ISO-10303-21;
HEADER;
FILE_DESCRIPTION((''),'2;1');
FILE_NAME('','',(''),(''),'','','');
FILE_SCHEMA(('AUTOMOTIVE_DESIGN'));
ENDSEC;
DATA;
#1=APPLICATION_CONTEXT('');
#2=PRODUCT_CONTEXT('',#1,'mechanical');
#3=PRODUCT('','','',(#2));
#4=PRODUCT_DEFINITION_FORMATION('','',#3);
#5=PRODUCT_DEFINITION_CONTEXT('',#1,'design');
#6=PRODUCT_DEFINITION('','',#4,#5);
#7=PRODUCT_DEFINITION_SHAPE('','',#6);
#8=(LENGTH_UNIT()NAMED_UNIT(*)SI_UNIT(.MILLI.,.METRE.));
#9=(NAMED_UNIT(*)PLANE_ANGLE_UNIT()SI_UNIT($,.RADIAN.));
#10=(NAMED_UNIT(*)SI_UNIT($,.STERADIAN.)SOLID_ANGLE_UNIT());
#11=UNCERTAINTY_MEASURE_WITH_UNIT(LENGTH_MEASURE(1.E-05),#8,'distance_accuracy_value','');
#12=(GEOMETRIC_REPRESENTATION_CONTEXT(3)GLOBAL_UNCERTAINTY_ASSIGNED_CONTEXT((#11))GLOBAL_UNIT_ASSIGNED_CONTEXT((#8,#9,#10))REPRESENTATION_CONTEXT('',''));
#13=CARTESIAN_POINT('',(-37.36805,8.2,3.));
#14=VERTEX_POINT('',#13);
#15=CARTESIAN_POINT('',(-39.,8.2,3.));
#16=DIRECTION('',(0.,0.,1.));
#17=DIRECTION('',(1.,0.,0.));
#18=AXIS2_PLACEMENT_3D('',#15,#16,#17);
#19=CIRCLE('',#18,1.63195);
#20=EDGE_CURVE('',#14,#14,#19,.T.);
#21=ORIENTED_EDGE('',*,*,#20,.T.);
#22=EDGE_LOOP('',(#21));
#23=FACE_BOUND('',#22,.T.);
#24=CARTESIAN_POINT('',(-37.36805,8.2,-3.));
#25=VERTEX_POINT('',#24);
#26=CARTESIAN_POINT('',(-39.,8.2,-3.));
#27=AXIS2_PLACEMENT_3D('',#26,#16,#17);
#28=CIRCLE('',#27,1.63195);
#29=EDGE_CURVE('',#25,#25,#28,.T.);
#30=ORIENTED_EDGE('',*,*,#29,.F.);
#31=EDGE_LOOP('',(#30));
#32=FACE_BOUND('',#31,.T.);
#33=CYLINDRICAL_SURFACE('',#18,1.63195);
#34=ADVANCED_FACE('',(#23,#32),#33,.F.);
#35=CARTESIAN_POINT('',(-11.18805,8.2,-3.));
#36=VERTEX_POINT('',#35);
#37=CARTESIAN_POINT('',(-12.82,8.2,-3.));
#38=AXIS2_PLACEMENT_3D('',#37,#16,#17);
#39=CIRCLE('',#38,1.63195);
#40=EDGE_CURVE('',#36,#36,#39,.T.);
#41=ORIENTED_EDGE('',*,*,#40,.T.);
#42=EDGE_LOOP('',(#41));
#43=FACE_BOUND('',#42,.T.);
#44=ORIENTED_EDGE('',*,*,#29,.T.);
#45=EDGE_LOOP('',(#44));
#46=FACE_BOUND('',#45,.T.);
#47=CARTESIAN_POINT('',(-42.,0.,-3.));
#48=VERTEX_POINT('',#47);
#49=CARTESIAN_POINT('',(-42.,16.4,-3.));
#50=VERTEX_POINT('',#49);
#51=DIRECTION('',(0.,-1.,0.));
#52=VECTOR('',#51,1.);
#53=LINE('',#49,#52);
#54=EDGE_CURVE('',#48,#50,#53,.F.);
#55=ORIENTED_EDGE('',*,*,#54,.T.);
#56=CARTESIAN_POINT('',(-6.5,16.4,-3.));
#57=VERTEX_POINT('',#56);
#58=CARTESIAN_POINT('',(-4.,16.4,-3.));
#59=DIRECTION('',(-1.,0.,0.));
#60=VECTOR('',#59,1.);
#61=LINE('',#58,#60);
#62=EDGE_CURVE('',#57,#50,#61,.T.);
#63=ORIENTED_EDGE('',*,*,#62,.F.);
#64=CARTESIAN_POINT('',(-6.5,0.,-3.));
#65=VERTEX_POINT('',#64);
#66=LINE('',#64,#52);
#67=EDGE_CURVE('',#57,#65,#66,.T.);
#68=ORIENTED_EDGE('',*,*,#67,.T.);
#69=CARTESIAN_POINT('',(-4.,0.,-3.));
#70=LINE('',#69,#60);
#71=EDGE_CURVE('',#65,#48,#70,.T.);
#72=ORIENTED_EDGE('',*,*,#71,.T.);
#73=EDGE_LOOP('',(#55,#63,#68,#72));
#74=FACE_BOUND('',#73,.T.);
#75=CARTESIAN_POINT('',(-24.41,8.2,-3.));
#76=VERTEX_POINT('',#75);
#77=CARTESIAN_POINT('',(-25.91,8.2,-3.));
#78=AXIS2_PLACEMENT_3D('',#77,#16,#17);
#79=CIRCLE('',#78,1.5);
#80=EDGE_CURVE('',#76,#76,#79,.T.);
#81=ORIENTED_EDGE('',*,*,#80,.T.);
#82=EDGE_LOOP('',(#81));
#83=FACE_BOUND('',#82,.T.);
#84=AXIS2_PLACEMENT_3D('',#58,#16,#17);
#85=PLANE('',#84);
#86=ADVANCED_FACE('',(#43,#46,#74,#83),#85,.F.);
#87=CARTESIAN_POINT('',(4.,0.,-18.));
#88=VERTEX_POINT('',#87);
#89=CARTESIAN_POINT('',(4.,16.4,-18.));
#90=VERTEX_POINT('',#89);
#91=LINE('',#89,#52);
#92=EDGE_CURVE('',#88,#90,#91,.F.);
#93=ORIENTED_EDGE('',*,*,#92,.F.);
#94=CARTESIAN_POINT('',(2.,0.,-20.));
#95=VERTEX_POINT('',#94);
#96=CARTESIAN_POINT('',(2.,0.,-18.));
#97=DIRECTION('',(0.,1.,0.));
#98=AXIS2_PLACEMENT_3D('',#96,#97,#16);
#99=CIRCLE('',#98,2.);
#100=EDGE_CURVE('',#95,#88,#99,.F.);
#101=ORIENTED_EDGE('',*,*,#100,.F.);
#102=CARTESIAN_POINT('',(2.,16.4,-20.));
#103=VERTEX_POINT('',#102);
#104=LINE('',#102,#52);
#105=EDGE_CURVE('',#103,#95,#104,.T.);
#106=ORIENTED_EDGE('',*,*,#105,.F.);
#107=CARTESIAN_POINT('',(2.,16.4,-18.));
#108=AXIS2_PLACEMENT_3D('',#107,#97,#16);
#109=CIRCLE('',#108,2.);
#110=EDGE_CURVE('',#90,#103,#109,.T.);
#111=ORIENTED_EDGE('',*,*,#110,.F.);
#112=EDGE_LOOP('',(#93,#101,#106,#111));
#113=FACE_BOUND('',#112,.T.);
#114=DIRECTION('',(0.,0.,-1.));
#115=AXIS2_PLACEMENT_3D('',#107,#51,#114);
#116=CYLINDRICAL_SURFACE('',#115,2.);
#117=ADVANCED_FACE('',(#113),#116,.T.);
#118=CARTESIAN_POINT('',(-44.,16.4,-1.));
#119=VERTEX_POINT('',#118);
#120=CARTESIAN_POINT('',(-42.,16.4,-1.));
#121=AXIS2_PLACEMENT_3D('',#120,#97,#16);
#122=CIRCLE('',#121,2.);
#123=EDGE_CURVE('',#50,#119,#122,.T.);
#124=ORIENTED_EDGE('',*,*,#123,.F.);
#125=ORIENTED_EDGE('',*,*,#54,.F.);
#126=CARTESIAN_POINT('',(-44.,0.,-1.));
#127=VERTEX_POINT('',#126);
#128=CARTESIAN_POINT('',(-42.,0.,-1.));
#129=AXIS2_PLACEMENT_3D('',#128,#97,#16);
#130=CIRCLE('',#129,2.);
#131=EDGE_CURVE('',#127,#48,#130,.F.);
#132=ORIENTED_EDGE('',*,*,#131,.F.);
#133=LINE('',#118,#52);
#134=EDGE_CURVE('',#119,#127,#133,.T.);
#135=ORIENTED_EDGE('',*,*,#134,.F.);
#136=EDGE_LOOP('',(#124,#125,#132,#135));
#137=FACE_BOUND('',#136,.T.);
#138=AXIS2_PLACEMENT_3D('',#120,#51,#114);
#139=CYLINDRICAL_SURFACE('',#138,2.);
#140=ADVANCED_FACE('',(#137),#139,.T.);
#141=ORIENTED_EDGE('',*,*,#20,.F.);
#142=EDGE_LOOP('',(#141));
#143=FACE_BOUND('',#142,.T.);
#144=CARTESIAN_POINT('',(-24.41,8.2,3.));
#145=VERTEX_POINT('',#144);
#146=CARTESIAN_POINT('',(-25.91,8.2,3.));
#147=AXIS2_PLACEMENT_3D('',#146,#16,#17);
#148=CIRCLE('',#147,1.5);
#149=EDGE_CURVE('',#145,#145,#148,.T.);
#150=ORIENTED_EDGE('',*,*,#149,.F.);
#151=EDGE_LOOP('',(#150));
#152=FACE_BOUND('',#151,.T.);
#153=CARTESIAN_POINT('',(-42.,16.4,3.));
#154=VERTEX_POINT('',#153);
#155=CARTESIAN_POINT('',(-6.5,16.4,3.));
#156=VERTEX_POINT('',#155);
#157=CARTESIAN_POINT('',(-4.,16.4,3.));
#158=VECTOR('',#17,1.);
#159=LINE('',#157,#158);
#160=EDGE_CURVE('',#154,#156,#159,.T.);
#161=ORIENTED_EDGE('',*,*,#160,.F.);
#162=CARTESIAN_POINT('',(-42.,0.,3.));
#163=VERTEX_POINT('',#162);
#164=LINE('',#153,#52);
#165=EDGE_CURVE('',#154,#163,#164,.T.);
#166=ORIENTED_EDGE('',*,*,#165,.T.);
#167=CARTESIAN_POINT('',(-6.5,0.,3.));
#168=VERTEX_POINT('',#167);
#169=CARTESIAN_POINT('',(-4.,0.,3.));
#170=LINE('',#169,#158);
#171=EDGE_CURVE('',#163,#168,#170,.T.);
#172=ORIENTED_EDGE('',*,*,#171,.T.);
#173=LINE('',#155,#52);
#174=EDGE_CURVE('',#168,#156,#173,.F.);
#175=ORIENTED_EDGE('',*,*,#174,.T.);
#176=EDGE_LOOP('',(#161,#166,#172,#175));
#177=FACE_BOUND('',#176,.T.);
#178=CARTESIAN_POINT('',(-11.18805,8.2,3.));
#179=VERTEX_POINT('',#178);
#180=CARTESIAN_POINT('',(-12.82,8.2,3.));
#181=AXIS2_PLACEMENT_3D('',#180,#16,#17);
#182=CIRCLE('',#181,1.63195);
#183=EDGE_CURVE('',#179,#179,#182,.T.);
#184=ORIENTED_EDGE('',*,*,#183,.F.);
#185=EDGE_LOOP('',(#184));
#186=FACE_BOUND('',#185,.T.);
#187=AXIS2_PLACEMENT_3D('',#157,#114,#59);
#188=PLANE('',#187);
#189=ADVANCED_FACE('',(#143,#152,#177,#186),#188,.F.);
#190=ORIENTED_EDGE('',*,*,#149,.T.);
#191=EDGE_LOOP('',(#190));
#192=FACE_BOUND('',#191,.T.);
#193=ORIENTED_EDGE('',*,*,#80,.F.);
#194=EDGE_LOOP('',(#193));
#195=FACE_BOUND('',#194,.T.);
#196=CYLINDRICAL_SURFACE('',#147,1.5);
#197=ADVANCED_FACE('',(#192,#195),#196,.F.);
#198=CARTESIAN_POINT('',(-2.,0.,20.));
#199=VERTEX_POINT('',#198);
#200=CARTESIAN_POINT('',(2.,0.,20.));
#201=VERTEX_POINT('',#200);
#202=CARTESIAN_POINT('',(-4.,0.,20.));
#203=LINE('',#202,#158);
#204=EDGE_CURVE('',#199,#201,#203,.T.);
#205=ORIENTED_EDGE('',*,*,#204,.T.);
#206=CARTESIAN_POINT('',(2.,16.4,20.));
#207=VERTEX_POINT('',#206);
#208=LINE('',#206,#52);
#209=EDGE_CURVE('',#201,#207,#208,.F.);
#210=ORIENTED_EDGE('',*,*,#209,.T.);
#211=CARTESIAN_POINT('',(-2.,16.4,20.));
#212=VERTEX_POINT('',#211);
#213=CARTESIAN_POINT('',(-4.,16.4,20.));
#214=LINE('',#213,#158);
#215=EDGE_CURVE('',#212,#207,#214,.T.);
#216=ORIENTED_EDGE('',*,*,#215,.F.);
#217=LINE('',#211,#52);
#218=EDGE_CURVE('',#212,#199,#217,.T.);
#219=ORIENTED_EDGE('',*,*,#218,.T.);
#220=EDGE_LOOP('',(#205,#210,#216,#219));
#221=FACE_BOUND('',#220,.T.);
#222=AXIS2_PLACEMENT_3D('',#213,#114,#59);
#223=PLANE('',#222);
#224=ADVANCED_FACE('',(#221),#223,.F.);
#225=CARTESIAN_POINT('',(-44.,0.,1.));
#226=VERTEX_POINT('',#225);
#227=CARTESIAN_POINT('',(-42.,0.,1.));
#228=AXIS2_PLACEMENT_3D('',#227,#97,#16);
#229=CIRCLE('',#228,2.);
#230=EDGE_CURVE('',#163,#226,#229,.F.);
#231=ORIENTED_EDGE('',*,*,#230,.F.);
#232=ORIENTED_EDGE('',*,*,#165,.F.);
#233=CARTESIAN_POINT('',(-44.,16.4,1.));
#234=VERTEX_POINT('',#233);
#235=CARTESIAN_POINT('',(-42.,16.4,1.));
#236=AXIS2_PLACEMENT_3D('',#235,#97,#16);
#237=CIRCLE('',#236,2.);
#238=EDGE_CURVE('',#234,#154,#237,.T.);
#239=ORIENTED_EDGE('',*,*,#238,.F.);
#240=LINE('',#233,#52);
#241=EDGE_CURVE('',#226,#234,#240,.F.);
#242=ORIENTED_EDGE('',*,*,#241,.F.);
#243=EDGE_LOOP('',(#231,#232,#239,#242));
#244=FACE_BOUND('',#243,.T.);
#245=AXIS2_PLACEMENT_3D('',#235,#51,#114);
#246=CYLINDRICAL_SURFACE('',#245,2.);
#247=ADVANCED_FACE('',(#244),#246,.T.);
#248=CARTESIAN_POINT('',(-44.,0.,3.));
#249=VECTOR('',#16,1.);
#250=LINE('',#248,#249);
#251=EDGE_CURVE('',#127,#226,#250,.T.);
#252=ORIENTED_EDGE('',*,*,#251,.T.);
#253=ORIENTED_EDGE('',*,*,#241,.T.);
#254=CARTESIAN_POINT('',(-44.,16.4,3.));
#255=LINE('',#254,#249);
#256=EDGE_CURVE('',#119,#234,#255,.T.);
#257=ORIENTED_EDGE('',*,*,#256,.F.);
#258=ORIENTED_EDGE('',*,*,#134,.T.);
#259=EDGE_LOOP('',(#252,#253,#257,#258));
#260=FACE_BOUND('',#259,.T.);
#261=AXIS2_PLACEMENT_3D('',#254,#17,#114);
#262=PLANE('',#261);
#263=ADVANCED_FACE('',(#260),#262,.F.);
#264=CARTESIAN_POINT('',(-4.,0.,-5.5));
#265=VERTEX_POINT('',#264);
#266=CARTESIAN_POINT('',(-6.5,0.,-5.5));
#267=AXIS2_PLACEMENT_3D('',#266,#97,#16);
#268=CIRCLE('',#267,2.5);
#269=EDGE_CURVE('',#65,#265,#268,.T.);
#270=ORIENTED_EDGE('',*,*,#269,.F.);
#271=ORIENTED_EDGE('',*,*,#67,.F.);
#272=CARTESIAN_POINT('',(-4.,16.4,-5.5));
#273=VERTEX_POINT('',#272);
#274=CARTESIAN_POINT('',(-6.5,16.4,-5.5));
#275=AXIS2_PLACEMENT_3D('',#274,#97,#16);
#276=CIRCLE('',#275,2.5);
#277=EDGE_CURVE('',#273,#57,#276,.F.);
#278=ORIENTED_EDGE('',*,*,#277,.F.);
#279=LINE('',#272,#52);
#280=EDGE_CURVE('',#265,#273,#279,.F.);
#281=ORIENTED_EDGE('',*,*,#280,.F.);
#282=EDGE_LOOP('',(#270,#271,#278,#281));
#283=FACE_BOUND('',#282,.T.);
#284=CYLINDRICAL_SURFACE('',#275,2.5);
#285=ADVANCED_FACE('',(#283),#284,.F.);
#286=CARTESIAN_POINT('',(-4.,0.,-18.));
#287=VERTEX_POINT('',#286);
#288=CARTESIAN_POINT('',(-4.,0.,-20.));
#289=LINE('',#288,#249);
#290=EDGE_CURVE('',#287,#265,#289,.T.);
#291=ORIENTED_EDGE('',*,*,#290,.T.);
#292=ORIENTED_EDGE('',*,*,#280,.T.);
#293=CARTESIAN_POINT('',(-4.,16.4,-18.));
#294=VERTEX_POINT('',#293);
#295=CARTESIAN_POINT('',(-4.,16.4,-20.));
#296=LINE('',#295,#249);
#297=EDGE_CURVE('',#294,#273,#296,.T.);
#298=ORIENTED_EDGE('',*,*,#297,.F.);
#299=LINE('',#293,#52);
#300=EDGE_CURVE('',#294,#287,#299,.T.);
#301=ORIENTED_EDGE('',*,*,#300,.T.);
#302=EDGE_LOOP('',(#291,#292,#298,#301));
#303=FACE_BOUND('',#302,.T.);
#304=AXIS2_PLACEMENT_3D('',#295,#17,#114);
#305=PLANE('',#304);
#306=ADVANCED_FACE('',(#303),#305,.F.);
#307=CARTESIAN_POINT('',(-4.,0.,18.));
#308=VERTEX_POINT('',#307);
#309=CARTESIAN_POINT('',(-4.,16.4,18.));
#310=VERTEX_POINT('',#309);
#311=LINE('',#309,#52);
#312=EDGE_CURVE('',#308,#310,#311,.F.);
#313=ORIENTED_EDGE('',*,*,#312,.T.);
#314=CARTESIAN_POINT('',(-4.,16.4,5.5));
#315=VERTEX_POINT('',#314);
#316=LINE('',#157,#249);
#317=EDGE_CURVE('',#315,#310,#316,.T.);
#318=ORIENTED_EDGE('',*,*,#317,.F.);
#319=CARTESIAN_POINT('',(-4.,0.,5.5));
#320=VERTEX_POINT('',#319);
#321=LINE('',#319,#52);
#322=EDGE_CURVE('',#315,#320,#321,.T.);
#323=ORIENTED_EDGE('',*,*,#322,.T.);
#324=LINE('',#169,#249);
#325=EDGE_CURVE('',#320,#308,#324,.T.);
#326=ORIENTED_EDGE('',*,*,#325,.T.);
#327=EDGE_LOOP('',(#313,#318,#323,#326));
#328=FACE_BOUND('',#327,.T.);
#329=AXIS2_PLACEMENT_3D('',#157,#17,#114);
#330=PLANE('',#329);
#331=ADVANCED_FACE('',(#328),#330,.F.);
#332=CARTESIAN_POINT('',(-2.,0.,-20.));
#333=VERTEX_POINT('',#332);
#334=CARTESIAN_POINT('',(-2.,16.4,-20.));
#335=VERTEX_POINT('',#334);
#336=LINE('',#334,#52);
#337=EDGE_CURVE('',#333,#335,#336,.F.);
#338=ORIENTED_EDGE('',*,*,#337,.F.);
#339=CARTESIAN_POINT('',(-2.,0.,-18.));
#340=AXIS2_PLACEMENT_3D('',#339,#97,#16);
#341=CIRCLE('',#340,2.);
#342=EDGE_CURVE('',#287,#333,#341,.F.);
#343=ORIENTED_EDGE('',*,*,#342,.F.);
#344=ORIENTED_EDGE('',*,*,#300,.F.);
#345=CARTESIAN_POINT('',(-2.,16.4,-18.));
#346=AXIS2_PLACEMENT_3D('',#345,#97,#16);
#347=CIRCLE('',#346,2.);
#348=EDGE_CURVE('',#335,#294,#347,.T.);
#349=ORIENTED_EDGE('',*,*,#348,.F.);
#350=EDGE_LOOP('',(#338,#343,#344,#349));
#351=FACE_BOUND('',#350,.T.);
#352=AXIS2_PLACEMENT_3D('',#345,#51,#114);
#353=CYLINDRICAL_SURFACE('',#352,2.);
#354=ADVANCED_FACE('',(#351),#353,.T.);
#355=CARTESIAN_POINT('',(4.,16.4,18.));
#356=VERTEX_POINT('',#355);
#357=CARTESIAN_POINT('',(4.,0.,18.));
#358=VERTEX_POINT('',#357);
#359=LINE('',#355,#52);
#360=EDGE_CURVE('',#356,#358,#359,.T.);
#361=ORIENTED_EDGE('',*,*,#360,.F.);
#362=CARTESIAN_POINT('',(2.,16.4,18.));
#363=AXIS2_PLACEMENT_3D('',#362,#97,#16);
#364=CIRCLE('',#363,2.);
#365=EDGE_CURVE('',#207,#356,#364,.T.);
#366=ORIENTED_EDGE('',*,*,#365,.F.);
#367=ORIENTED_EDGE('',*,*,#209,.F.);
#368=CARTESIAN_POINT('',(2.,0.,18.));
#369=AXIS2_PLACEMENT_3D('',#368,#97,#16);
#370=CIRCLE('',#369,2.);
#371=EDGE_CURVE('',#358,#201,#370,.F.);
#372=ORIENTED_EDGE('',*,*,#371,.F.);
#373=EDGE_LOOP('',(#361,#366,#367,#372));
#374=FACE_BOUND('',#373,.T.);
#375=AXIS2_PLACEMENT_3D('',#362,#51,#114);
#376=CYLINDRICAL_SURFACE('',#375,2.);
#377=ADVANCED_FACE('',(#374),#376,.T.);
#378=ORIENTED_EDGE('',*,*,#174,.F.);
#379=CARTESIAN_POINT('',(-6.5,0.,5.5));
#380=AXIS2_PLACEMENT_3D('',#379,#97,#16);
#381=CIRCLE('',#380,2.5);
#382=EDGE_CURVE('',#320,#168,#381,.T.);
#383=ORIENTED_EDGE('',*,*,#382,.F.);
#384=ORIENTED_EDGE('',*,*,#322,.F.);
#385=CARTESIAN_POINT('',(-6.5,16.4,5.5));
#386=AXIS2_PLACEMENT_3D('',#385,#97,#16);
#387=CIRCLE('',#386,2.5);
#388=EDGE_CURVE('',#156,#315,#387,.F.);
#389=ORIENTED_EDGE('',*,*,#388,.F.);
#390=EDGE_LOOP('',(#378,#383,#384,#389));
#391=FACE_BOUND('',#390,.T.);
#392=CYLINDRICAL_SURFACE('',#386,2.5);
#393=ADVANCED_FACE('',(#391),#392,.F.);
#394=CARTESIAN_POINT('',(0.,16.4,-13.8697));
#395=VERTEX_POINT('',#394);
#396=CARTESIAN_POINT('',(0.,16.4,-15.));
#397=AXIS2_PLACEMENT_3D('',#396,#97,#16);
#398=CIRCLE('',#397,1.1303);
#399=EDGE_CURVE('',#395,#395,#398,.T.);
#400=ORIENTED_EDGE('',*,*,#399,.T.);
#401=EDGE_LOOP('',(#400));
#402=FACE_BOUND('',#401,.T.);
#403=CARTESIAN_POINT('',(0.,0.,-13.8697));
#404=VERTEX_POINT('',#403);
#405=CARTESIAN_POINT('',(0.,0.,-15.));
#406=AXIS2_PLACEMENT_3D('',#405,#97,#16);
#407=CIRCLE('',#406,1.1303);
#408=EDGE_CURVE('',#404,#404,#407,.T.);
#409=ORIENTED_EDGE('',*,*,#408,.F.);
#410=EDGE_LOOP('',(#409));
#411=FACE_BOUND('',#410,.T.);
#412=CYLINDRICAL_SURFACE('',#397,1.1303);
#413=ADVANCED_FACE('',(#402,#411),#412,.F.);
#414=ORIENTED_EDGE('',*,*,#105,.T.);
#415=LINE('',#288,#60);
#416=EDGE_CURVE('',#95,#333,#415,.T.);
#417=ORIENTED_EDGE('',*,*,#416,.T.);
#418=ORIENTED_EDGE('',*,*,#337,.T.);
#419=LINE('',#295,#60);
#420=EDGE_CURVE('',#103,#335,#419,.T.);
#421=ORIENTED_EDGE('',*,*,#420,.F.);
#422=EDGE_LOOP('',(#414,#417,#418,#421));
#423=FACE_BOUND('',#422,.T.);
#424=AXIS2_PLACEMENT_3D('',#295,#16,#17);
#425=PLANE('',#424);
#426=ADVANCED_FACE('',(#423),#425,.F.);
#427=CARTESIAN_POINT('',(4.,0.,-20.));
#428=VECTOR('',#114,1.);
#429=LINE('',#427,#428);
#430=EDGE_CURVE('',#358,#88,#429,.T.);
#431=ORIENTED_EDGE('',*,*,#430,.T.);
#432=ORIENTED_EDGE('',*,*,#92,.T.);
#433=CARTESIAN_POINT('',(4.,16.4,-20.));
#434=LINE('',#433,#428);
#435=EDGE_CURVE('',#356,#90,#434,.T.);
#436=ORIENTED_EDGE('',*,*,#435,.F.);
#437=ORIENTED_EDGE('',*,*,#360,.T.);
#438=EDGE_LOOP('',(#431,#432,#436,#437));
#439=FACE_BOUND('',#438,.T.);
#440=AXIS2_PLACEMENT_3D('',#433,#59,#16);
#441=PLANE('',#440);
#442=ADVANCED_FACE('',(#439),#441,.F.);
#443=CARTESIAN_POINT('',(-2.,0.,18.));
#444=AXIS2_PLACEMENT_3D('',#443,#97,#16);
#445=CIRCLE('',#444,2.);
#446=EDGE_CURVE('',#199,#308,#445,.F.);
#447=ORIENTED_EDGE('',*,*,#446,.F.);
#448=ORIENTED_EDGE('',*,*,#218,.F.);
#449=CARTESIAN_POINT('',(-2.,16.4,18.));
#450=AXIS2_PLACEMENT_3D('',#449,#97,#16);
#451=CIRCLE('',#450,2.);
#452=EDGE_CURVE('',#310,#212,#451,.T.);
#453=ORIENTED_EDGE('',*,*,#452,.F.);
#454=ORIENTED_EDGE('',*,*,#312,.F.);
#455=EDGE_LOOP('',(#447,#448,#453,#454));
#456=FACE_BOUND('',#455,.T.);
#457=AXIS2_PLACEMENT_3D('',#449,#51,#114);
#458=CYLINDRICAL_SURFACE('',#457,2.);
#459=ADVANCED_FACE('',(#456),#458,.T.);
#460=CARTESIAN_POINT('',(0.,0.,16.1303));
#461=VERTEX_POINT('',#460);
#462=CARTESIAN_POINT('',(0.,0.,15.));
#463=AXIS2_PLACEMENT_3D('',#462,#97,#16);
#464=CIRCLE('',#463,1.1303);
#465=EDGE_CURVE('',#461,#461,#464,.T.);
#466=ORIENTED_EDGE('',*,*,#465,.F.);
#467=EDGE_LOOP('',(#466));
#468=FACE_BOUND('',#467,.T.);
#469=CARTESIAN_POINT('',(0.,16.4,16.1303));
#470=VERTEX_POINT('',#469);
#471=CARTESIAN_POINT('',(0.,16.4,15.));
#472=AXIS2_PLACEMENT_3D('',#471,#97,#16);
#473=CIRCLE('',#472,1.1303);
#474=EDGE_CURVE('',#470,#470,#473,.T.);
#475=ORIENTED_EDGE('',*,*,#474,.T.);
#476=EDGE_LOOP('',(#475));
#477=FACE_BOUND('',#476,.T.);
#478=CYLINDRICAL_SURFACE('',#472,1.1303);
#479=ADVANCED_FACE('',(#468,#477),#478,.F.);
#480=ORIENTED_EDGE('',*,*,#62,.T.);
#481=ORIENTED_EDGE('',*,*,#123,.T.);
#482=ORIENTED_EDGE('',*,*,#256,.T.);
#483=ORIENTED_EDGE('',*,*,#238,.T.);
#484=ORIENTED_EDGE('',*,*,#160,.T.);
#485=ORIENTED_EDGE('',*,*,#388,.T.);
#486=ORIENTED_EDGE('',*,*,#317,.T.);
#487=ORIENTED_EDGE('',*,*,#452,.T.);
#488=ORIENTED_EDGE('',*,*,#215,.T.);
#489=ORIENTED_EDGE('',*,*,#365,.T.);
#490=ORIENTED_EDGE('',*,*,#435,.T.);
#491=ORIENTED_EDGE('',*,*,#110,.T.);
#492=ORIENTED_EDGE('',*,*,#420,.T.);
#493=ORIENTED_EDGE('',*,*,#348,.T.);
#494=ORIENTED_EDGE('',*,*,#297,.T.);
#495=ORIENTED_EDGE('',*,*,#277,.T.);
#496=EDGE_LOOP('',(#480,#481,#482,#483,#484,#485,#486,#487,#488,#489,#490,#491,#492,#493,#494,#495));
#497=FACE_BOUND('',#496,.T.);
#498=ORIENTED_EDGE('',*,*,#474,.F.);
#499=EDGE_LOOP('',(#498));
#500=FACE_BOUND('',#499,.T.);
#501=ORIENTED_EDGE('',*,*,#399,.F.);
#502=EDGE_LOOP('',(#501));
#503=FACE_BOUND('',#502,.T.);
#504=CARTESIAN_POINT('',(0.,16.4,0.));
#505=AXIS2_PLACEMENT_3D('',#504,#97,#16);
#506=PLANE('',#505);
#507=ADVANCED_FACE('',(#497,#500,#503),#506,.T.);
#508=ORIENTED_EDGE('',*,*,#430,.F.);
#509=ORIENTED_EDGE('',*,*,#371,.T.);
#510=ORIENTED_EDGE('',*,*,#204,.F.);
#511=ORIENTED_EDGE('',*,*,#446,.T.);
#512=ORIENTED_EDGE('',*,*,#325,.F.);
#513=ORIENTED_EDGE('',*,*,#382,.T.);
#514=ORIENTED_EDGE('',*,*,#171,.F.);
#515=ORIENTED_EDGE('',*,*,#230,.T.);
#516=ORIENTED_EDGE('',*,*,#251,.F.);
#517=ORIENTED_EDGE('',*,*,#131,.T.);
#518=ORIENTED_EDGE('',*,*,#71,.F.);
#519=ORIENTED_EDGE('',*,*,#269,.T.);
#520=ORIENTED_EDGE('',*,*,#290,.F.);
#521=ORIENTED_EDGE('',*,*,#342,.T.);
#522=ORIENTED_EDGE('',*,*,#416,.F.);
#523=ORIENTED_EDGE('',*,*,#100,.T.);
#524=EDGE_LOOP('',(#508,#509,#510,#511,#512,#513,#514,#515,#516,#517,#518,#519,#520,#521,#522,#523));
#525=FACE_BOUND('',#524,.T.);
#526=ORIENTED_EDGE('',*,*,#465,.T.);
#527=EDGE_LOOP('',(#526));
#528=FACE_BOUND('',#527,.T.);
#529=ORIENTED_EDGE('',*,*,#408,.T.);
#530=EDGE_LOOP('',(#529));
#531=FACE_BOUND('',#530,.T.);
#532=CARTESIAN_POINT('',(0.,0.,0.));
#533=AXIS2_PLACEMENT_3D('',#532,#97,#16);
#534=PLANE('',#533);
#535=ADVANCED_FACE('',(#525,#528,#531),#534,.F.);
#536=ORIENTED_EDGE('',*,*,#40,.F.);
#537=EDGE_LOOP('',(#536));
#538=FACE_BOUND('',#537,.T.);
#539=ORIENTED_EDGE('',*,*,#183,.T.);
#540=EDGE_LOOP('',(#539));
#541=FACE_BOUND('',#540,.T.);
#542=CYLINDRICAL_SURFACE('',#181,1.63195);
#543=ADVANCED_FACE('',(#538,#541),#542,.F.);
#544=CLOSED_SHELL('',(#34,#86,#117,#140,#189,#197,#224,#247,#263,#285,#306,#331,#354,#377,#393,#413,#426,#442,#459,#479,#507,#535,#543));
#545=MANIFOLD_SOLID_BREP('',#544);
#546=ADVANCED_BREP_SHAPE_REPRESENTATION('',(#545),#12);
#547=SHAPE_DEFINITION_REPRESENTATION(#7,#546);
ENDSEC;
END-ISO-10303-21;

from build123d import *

# Parameters (mm, degrees)
BOSS_EXTRUDE1_DEPTH   = 16.4
F_4_40_TAPPED_HOLE1_D = 2.2606
F_3_0MM_DOWEL_HOLE1_D = 3
F_4_CLEARANCE_HOLE1_D = 3.2639
FILLET1_R             = 2.5
FILLET2_R             = 2


with BuildPart() as part:
    # Sketch1 → Boss-Extrude1 (new body)
    with BuildSketch(Plane(origin=(0, 0, 0), x_dir=(1, 0, 0), z_dir=(0, 1, 0))):
        Polygon((-4, -3), (-4, -20), (4, -20), (4, 20), (-4, 20), (-4, 3), (-44, 3), (-44, -3), align=None)
    extrude(amount=BOSS_EXTRUDE1_DEPTH)

    # #4-40 Tapped Hole1 (through all)
    with Locations(Plane(origin=(0, 16.4, 0), x_dir=(1, 0, 0), z_dir=(0, 1, 0))):
        with Locations((0, 15), (0, -15)):
            Hole(F_4_40_TAPPED_HOLE1_D / 2)

    # Ø3.0mm Dowel Hole1 (through all)
    with Locations(Plane.XY.offset(3)):
        with Locations((-25.91, 8.2)):
            Hole(F_3_0MM_DOWEL_HOLE1_D / 2)

    # #4 Clearance Hole1 (through all)
    with Locations(Plane.XY.offset(3)):
        with Locations((-39, 8.2), (-12.82, 8.2)):
            Hole(F_4_CLEARANCE_HOLE1_D / 2)

    # Fillet1
    fillet1_edges = [part.edges().sort_by_distance(p)[0] for p in [
        (-4, 8.2, 3),
        (-4, 8.2, -3),
    ]]
    fillet(fillet1_edges, radius=FILLET1_R)

    # Fillet2
    fillet2_edges = [part.edges().sort_by_distance(p)[0] for p in [
        (4, 8.2, 20),
        (-4, 8.2, 20),
        (-44, 8.2, 3),
        (-44, 8.2, -3),
        (-4, 8.2, -20),
        (4, 8.2, -20),
    ]]
    fillet(fillet2_edges, radius=FILLET2_R)


solid = part.part
